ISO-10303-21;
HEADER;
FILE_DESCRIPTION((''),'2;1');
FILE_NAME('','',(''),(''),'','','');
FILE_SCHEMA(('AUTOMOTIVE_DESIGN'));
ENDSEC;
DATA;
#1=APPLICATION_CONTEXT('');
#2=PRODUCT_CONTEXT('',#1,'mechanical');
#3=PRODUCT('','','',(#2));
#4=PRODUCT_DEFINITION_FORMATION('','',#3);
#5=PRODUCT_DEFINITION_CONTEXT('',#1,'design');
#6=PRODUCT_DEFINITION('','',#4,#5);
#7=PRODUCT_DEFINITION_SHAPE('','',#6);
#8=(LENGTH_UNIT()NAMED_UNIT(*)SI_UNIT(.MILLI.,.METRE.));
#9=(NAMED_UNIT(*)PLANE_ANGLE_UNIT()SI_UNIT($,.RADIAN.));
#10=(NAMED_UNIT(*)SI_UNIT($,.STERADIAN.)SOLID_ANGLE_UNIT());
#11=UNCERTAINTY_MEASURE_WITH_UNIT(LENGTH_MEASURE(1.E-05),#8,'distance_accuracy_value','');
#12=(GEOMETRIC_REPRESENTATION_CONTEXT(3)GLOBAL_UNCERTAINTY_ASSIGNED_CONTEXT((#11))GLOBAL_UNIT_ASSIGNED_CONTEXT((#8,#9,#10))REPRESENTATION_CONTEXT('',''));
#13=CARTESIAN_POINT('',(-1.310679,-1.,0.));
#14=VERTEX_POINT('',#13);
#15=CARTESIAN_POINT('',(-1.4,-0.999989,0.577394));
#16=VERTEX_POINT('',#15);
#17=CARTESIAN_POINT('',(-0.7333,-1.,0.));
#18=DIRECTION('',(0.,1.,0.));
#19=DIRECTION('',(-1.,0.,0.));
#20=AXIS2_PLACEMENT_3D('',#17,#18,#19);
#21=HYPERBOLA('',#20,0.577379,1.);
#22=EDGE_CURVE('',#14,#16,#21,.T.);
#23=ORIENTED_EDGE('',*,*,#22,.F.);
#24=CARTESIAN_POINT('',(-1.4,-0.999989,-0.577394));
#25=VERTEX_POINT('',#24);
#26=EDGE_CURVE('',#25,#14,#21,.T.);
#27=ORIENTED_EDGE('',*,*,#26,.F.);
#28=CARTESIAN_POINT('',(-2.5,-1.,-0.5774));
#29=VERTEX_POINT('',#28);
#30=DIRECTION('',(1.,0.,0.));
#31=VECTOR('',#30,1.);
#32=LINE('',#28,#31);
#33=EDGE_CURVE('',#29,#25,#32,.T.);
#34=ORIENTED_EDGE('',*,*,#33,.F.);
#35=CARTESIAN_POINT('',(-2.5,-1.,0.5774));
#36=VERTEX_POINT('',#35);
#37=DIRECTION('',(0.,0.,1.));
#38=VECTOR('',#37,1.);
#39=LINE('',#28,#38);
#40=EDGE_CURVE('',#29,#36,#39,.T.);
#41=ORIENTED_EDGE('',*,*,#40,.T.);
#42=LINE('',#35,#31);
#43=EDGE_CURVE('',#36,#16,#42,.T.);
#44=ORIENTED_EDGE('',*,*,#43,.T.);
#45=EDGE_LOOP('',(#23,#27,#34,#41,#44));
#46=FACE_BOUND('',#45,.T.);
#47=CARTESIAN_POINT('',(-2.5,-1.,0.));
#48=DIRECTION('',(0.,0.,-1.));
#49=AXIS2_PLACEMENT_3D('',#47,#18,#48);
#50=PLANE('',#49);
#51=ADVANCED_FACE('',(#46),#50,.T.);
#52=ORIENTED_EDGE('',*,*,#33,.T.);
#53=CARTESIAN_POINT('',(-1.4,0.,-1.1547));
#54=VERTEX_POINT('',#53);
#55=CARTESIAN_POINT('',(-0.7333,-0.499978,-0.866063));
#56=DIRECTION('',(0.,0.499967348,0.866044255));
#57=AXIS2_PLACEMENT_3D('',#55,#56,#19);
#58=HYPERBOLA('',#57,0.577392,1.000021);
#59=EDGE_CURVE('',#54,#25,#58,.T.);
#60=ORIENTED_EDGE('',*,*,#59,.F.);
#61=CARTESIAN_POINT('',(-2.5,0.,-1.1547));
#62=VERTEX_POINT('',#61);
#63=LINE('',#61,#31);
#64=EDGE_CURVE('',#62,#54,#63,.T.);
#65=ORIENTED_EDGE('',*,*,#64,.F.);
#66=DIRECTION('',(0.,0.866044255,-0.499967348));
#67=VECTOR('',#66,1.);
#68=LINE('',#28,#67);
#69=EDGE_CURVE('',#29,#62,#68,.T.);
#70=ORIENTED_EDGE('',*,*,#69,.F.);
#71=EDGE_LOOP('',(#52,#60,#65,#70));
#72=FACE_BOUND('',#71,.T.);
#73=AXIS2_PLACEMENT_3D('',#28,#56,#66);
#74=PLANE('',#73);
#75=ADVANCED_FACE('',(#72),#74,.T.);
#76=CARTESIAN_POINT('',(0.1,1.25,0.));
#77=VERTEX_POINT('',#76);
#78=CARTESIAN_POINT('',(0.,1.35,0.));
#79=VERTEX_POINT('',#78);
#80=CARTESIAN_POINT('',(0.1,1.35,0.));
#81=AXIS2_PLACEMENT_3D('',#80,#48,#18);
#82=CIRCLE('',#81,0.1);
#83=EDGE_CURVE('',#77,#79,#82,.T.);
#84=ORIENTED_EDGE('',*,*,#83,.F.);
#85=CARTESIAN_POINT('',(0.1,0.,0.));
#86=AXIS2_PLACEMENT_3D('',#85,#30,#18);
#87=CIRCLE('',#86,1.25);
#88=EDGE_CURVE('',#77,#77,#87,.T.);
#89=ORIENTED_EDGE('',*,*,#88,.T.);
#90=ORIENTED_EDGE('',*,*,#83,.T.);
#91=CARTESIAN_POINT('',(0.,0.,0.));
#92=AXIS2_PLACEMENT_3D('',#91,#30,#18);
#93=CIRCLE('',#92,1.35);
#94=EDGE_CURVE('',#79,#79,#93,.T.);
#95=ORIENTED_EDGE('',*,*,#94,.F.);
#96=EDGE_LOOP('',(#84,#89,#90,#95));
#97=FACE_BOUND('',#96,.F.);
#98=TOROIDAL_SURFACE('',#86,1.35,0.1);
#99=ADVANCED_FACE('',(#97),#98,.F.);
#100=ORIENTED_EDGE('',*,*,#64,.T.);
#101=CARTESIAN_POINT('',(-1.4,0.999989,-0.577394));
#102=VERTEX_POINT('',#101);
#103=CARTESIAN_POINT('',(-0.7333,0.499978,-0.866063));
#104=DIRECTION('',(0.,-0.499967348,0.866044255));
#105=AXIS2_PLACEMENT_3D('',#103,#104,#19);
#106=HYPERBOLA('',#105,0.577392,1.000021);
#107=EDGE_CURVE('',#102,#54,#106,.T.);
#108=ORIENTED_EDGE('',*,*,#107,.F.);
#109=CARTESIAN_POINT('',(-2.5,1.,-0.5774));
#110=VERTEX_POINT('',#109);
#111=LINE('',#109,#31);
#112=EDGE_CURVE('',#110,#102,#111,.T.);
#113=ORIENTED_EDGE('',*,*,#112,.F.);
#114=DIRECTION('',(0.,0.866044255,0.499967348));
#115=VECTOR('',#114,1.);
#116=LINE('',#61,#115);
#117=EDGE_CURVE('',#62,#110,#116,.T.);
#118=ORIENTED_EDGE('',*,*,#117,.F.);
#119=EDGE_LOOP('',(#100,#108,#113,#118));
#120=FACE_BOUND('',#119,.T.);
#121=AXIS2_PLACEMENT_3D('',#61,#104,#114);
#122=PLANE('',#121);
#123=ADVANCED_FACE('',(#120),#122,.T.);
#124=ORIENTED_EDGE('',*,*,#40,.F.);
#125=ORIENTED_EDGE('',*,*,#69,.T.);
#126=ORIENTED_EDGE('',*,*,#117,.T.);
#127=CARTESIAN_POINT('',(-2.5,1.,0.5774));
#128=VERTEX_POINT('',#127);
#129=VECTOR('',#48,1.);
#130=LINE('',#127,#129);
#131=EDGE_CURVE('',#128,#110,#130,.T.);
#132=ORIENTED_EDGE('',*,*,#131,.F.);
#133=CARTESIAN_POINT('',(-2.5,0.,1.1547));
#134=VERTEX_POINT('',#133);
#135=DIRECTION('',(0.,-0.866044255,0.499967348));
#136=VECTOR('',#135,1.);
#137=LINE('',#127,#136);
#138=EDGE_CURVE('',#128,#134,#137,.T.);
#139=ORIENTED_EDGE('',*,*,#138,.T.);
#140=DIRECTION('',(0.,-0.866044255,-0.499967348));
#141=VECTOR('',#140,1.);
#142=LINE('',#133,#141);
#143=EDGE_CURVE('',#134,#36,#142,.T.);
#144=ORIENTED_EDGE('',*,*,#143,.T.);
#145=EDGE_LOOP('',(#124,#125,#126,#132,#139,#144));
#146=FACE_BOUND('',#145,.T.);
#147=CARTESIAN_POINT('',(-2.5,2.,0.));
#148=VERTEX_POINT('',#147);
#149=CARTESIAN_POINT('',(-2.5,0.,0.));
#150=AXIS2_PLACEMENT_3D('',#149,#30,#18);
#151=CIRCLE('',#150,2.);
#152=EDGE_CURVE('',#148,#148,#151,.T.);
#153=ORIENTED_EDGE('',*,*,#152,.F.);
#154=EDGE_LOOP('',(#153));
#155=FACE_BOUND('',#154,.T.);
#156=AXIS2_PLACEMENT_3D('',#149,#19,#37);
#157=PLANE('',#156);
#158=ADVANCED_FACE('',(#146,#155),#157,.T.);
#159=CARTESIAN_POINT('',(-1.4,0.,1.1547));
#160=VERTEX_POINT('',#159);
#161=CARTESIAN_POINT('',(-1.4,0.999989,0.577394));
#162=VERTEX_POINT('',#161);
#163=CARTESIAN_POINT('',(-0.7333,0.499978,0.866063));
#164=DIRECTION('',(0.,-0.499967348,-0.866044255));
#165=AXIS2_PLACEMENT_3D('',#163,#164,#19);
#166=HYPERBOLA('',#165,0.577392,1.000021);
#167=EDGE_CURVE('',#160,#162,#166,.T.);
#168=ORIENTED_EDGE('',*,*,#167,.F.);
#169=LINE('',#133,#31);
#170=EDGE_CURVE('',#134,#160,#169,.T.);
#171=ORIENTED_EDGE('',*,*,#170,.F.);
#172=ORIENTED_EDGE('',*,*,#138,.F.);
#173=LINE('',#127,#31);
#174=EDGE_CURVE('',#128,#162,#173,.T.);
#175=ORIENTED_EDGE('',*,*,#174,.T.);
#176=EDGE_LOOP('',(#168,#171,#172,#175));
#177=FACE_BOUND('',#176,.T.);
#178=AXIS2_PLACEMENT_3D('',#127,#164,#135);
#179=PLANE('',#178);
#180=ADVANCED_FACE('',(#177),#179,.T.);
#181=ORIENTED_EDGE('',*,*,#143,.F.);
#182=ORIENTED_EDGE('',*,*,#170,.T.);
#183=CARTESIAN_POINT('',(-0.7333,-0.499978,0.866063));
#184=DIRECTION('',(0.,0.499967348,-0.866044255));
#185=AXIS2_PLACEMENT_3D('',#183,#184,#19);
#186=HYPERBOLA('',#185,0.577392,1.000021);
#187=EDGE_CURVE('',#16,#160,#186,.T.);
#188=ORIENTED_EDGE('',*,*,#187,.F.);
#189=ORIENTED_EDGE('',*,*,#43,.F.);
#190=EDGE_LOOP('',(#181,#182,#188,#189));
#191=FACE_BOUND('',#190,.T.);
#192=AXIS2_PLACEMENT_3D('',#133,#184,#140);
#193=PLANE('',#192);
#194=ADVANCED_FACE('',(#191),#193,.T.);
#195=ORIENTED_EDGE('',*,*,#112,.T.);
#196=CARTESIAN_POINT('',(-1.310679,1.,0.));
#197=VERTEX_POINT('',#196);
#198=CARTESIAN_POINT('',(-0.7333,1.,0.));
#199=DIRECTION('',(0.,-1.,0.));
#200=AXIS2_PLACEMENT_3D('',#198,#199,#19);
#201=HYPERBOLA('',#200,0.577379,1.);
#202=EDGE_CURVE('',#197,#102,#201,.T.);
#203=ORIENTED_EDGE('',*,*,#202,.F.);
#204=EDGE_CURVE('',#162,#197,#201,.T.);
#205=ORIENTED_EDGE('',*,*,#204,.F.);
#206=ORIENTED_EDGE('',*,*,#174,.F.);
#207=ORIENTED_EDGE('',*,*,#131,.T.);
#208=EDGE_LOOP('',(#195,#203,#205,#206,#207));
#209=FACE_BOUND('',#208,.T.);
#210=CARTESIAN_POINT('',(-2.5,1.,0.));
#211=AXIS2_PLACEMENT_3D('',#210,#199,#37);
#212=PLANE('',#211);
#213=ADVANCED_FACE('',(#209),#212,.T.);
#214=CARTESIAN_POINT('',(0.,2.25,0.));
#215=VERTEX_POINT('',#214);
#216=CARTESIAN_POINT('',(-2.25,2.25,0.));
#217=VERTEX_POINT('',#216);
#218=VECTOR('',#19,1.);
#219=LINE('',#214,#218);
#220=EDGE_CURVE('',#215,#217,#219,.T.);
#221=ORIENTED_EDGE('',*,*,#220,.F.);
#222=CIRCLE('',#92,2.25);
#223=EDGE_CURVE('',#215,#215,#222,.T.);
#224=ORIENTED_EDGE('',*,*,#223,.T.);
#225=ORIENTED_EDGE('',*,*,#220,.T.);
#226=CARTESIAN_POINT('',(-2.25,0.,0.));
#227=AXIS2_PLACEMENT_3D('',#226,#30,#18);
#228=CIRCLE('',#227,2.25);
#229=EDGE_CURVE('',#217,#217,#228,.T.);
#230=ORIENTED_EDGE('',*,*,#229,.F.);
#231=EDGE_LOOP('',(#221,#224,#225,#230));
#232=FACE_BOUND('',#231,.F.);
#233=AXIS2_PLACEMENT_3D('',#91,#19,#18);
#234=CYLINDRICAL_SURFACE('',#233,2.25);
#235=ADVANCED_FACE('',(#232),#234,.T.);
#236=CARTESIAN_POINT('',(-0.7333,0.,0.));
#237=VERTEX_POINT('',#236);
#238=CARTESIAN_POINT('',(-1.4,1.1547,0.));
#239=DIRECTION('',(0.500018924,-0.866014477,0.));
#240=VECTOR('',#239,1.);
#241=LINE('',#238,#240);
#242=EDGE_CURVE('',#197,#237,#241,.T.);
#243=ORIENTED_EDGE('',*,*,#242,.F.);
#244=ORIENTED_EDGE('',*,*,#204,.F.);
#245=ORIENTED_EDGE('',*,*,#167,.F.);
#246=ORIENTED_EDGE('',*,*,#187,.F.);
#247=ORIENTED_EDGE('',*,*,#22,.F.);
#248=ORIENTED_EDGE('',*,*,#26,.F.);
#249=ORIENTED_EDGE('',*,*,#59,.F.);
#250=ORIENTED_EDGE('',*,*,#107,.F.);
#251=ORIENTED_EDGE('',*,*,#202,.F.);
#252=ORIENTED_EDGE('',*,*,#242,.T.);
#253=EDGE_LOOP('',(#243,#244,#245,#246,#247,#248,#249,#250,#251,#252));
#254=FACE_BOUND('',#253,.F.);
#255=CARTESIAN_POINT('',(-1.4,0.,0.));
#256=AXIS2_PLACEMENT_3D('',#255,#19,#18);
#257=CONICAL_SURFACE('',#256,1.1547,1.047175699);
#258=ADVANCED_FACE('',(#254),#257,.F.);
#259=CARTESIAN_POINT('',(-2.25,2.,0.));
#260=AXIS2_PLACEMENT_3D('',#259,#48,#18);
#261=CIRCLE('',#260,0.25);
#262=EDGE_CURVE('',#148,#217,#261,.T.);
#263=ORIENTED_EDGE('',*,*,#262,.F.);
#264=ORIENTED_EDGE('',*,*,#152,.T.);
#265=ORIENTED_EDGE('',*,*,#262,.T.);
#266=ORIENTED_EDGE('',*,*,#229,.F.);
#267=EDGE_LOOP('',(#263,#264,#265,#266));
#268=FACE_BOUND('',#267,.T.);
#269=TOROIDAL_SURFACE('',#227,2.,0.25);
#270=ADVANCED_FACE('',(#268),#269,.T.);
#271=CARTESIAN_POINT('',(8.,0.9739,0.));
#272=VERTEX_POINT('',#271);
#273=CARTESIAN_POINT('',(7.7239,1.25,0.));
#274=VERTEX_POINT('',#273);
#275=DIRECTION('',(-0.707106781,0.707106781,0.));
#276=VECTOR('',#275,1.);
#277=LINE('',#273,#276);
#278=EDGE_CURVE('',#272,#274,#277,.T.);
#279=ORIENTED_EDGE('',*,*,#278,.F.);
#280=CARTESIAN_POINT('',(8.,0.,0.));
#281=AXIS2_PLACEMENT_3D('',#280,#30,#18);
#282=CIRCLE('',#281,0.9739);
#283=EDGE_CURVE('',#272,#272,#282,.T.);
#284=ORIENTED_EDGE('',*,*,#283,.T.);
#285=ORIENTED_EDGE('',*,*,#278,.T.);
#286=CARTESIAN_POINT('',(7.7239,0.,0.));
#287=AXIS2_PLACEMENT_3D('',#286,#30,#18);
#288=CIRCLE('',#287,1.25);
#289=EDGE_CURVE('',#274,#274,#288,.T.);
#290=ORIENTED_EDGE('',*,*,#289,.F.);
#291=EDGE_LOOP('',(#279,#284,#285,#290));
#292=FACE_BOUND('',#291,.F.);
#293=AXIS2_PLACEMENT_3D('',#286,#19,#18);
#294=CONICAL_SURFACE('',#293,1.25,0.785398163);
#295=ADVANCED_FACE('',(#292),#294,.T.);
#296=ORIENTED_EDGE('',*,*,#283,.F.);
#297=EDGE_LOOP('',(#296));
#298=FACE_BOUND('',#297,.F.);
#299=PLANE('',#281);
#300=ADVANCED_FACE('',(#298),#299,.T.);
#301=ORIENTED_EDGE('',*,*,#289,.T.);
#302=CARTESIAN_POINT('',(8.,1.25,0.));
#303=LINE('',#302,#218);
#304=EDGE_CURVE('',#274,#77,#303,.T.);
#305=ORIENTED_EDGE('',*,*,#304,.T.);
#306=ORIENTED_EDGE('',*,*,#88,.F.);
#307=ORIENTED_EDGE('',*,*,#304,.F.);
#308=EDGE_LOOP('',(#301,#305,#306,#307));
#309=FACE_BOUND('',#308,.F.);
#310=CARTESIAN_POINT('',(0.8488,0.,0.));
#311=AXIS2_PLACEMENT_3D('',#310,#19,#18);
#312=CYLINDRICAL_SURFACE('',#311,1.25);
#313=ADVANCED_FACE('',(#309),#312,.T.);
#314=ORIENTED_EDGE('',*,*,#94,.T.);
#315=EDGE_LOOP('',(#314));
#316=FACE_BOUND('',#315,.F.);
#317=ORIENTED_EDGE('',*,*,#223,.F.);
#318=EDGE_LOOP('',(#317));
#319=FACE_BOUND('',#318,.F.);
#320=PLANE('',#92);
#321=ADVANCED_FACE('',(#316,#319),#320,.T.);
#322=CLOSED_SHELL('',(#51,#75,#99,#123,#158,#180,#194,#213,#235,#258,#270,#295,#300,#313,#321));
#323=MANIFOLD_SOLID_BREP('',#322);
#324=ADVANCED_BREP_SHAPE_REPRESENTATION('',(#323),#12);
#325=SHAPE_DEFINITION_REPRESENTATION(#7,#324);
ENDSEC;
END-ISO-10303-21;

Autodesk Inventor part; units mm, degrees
ref_plane "YZ Plane" through (0, 0, 0) normal (1, 0, 0) x (0, 1, 0)
ref_plane "XZ Plane" through (0, 0, 0) normal (0, 1, 0) x (-1, 0, 0)
sketch "Эскиз1" plane through (0, 0, 0) normal (0, 0, 1) x (1, 0, 0)
  line L0 (-0.7333, 0) -> (8, 0)
  line L1 (8, 0) -> (8, 1.25)
  line L2 (8, 1.25) -> (1.125, 1.25)
  line L3 (1.125, 1.25) -> (0.8488, 1.25)
  line L4 (0.8488, 1.25) -> (0, 1.25)
  line L5 (0, 1.25) -> (0, 2.25)
  line L6 (0, 2.25) -> (-2.5, 2.25)
  line L7 (-2.5, 2.25) -> (-2.5, 1.1547)
  line L8 (-2.5, 1.1547) -> (-1.4, 1.1547)
  line L9 (-1.4, 1.1547) -> (-0.7333, 0)
  line L10 (-4.6, 0) -> (10.1, 0) projected
  line L11 (0, -0.45) -> (0, 2.7) projected
  line L12 (1.125, 1.25) -> (0, 1.25) construction
  dimension "d1" = 6.875
  dimension "d2" = 0.2762
  dimension "d3" = 2.5
  dimension "d4" = 1.1
  dimension "d5" = 60
  dimension "d6" = 2.5
  dimension "d7" = 2.5
  dimension "d8" = 2.3094
  dimension "d9" = 4.5
  dimension "d26" = 8
revolve "Базовый элемент" add sketch "Эскиз1" angle 360 about axis through (-0.7333, 0, 0) along (1, 0, 0)
sketch "Эскиз2" plane through (-2.5, 0, 0) normal (-1, 0, 0) x (0, 0, 1)
  circle A0 centre (0, 0) radius 1.1547 projected
  line L0 (0, -3.15) -> (0, 3.15) projected
  line L1 (-3.15, 0) -> (3.15, 0) projected
  line L2 (1.1547, 0) -> (0.5774, -1)
  line L3 (0.5774, -1) -> (-0.5774, -1)
  line L4 (-0.5774, -1) -> (-1.1547, 0)
  line L5 (-1.1547, 0) -> (-0.5774, 1)
  line L6 (-0.5774, 1) -> (0.5774, 1)
  line L7 (0.5774, 1) -> (1.1547, 0)
extrude "Паз" add sketch "Эскиз2" against normal up to next contours L7 A0 | A0 L2 | L6 L0 A0 | A0 L0 L3 | L0 L6 A0 | A0 L3 L0 | L4 A0 | A0 L5
fillet "Сопряжение1" radius 0.25 1 edges at (-2.5, -2.25, 0)
thread "Резьба" size "M2.5x0.45" class "6g" standard "ISO Metric profile" length 6.875
chamfer "Фаска1" distance 0.2761 distance2 0.2761 1 edges at (8, -1.25, 0) measured on face at (8, 0.4797, 0.7189)
ref_plane "Work Plane1" through (29, 0, 0) normal (0, -1, 0) x (1, 0, 0)
fillet "Fillet2" radius 0.1 1 edges at (0, -1.25, 0)
equation "\"d1\" = GEL"
equation "\"d3\" = KOH"
equation "\"d4\" = INTI"
equation "\"d6\" = GD"
equation "\"d7\" = BDM"
equation "\"d8\" = 1.1547 * SW"
equation "\"d9\" = KOD"
equation "\"d26\" = NLG"
equation "\"d30\" = R"
equation "\"d17\" = RR"
equation "\"d13\" = GEL"
equation "\"d15\" = -0.5 * SPD + 0.5 * GD"
equation "\"d16\" = GUL"
equation "\"GD\" = NND"
equation "\"NLG\" = 8"
equation "\"GEL\" = 6.875"
equation "\"KOD\" = 4.5"
equation "\"KOH\" = 2.5"
equation "\"INTI\" = 1.1"
equation "\"GAL\" = 0.61345 * PTC"
equation "\"GUL\" = 0.61345 * PTC"
equation "\"BDM\" = NND"
equation "\"SW\" = 2"
equation "\"RR\" = 0.25"
equation "\"SPD\" = NND - 1.2269 * PTC"
equation "\"R\" = 0.1"
equation "\"TOA\" = 30deg"
equation "\"GD1\" = THREADDIA - 1.2269 * PTC"
equation "\"THREADDIA\" = 2.5"
equation "\"FAWI\" = 45deg"
equation "\"ANG\" = 120deg"
equation "\"PTC\" = 0.45"
equation "\"NND\" = 2.5"
equation "\"E0\" = 1.155 * SW"
properties part number "DIN 912 - M2,5 x 8" material "Сталь, мягкая"
